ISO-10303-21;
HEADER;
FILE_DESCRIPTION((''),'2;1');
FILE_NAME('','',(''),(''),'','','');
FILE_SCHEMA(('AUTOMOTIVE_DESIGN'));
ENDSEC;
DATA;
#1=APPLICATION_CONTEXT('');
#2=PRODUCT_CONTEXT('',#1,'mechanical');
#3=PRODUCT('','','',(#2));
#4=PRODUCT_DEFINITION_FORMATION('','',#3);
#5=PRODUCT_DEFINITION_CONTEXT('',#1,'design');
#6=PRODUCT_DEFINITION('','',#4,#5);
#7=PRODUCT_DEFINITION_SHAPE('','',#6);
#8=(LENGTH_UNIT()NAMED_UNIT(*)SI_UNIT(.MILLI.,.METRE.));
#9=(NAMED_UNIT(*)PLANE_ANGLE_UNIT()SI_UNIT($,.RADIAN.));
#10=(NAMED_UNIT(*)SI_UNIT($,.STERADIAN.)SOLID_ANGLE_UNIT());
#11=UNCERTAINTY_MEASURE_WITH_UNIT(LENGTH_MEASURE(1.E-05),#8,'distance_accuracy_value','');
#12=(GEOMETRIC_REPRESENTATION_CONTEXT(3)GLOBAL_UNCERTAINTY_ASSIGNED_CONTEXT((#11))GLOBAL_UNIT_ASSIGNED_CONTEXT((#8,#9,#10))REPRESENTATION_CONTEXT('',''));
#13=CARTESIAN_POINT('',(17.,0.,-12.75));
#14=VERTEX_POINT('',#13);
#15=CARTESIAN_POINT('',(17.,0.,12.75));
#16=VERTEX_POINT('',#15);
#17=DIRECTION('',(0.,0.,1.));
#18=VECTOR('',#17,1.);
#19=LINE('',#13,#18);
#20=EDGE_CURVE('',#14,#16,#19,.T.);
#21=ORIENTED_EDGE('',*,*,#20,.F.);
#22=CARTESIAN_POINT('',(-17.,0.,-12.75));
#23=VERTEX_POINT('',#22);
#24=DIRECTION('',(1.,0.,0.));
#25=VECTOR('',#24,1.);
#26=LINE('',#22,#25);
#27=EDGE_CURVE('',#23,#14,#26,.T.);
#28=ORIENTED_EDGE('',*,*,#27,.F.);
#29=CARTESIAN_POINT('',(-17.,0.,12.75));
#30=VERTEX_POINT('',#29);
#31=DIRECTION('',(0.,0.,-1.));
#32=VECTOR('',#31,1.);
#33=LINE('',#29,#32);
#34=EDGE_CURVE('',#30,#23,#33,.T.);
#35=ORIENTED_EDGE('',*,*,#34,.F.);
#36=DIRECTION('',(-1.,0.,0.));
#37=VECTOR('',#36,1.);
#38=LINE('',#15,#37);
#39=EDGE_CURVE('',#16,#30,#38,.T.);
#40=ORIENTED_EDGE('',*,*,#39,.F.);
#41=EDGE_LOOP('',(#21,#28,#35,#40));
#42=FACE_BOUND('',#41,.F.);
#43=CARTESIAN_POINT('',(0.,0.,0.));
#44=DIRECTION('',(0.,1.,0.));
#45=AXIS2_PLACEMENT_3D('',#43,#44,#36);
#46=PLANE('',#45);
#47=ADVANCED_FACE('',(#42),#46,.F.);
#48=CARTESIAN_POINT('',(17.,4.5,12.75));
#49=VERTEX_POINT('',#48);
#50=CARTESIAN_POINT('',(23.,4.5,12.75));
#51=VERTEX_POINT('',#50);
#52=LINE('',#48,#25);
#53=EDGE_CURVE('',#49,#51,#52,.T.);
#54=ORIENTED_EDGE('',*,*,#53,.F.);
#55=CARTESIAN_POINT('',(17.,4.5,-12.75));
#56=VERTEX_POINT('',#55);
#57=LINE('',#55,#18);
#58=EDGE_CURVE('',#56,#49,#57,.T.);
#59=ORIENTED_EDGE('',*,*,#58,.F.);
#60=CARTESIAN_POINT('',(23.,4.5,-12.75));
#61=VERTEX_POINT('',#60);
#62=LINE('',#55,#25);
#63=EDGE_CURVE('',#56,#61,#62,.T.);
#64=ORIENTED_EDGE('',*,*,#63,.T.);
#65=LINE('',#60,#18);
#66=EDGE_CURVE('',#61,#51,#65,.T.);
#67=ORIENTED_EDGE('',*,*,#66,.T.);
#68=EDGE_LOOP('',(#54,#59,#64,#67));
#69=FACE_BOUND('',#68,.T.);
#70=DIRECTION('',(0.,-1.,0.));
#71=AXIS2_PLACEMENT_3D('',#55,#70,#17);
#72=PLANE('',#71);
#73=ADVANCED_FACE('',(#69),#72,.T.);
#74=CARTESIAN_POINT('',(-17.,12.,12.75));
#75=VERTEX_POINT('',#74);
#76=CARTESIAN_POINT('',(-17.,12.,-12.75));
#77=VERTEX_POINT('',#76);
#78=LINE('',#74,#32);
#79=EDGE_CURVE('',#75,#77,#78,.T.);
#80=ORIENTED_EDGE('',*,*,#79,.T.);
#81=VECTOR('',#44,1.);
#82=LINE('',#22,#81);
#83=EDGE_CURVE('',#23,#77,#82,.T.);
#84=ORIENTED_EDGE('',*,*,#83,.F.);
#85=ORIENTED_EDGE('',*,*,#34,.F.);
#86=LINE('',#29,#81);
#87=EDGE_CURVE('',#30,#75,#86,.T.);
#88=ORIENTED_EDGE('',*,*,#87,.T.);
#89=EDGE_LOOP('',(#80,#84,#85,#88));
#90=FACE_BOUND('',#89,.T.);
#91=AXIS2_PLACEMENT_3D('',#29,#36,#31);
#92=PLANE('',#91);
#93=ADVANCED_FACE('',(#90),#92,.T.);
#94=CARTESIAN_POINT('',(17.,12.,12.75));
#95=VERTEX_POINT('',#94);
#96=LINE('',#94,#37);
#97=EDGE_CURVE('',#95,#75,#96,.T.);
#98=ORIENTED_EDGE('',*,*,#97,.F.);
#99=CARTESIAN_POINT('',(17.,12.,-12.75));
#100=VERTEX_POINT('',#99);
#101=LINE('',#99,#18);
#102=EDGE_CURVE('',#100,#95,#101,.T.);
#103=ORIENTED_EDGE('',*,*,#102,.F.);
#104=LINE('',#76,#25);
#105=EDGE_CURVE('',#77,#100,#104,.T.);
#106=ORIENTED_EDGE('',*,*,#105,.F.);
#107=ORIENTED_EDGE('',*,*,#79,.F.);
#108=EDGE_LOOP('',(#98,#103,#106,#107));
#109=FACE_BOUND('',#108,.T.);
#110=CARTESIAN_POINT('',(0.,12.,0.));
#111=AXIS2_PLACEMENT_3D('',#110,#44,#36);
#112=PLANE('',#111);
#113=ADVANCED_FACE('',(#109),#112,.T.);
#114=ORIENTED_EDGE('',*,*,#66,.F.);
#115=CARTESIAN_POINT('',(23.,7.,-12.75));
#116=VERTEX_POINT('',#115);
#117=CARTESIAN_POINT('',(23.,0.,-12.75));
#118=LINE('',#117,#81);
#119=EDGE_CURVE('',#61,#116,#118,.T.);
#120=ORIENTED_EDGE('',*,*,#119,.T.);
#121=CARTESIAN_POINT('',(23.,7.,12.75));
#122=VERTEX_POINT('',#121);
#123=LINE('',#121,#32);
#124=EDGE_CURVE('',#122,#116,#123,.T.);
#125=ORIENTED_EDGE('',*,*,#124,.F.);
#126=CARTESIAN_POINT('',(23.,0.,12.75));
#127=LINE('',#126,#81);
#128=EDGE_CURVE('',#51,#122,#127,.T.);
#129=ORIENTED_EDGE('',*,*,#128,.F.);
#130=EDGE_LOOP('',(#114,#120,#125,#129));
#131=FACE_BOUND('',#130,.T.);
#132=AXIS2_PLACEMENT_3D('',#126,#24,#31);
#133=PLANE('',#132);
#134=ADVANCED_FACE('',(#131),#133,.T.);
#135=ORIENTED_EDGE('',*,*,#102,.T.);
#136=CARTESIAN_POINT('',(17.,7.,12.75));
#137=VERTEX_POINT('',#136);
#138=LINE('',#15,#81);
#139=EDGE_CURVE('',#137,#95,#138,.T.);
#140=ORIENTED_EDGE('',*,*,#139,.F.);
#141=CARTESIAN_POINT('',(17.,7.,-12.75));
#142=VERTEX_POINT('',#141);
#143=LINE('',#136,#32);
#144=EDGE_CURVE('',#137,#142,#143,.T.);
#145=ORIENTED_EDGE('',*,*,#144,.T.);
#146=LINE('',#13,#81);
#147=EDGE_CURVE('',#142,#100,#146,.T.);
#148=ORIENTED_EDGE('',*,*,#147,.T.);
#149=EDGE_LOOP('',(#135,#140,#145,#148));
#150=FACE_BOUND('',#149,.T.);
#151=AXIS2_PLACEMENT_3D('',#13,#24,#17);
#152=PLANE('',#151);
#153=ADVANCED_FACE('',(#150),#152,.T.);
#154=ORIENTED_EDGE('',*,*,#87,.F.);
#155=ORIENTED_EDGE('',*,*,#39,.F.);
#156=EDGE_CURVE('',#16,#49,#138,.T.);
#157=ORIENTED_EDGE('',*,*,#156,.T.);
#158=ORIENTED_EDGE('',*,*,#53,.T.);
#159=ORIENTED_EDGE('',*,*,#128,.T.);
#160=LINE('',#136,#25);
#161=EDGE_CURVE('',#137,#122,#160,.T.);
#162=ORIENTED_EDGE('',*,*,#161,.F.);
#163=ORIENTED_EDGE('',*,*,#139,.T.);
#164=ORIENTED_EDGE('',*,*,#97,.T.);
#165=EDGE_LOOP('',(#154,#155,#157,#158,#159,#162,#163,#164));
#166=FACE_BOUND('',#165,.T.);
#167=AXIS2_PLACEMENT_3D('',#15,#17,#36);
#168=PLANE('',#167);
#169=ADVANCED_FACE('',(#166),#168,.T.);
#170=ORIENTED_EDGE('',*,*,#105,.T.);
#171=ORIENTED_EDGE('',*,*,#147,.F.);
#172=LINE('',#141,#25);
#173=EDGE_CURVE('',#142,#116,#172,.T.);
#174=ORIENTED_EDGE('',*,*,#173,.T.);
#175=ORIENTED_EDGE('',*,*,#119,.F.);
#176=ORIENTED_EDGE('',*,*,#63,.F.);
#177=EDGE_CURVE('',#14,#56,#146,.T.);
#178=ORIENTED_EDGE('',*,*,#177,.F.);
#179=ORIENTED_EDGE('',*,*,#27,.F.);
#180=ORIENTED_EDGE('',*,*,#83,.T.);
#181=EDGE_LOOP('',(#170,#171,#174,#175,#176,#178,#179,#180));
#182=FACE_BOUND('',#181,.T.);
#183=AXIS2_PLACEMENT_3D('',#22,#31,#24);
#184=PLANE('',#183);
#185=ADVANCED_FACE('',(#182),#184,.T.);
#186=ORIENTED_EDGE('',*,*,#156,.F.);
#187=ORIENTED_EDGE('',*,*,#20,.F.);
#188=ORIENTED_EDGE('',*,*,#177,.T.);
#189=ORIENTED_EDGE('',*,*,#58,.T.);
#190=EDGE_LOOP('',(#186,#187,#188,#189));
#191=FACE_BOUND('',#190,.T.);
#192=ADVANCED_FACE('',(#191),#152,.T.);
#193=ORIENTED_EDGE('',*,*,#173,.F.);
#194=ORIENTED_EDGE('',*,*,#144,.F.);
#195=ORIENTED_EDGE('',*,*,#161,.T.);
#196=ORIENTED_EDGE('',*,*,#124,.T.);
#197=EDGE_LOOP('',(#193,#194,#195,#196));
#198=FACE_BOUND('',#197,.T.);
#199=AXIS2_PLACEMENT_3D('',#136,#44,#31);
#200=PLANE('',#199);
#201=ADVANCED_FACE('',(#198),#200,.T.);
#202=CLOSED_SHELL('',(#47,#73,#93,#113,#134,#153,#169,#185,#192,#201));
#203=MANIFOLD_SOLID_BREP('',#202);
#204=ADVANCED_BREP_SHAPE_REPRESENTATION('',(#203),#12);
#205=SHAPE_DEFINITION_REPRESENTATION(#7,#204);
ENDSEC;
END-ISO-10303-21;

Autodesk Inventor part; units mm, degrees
ref_plane "YZ Plane" through (0, 0, 0) normal (1, 0, 0) x (0, 1, 0)
ref_plane "XZ Plane" through (0, 0, 0) normal (0, 1, 0) x (-1, 0, 0)
ref_plane "XY Plane" through (0, 0, 0) normal (0, 0, 1) x (1, 0, 0)
sketch "Sketch1" plane through (0, 0, 0) normal (0, 1, 0) x (-1, 0, 0)
  line L0 (-17, 12.75) -> (17, 12.75)
  line L1 (17, 12.75) -> (17, -12.75)
  line L2 (17, -12.75) -> (-17, -12.75)
  line L3 (-17, -12.75) -> (-17, 12.75)
  line L4 (-17, 12.75) -> (17, -12.75) construction
  line L5 (17, 12.75) -> (-17, -12.75) construction
  point P0 (0, 0)
  dimension "d0" = 25.5
  dimension "d1" = 34
extrude "Extrusion1" add sketch "Sketch1" along normal blind 12
sketch "Sketch2" plane through (17, 0, 12.75) normal (1, 0, 0) x (0, 0, -1)
  line L0 (0, 0) -> (0, 12) projected
  line L1 (25.5, 0) -> (25.5, 12) projected
  line L2 (0, 7) -> (25.5, 7)
  line L3 (25.5, 7) -> (25.5, 4.5)
  line L4 (25.5, 4.5) -> (0, 4.5)
  line L5 (0, 4.5) -> (0, 7)
  line L6 (0, 12) -> (25.5, 12) projected
  point P0 (12.75, 0)
  dimension "d4" = 2.5
  dimension "d5" = 5
extrude "Extrusion2" add sketch "Sketch2" along normal blind 6 contours L0 L2 L1 L4
properties part number "beeper"
